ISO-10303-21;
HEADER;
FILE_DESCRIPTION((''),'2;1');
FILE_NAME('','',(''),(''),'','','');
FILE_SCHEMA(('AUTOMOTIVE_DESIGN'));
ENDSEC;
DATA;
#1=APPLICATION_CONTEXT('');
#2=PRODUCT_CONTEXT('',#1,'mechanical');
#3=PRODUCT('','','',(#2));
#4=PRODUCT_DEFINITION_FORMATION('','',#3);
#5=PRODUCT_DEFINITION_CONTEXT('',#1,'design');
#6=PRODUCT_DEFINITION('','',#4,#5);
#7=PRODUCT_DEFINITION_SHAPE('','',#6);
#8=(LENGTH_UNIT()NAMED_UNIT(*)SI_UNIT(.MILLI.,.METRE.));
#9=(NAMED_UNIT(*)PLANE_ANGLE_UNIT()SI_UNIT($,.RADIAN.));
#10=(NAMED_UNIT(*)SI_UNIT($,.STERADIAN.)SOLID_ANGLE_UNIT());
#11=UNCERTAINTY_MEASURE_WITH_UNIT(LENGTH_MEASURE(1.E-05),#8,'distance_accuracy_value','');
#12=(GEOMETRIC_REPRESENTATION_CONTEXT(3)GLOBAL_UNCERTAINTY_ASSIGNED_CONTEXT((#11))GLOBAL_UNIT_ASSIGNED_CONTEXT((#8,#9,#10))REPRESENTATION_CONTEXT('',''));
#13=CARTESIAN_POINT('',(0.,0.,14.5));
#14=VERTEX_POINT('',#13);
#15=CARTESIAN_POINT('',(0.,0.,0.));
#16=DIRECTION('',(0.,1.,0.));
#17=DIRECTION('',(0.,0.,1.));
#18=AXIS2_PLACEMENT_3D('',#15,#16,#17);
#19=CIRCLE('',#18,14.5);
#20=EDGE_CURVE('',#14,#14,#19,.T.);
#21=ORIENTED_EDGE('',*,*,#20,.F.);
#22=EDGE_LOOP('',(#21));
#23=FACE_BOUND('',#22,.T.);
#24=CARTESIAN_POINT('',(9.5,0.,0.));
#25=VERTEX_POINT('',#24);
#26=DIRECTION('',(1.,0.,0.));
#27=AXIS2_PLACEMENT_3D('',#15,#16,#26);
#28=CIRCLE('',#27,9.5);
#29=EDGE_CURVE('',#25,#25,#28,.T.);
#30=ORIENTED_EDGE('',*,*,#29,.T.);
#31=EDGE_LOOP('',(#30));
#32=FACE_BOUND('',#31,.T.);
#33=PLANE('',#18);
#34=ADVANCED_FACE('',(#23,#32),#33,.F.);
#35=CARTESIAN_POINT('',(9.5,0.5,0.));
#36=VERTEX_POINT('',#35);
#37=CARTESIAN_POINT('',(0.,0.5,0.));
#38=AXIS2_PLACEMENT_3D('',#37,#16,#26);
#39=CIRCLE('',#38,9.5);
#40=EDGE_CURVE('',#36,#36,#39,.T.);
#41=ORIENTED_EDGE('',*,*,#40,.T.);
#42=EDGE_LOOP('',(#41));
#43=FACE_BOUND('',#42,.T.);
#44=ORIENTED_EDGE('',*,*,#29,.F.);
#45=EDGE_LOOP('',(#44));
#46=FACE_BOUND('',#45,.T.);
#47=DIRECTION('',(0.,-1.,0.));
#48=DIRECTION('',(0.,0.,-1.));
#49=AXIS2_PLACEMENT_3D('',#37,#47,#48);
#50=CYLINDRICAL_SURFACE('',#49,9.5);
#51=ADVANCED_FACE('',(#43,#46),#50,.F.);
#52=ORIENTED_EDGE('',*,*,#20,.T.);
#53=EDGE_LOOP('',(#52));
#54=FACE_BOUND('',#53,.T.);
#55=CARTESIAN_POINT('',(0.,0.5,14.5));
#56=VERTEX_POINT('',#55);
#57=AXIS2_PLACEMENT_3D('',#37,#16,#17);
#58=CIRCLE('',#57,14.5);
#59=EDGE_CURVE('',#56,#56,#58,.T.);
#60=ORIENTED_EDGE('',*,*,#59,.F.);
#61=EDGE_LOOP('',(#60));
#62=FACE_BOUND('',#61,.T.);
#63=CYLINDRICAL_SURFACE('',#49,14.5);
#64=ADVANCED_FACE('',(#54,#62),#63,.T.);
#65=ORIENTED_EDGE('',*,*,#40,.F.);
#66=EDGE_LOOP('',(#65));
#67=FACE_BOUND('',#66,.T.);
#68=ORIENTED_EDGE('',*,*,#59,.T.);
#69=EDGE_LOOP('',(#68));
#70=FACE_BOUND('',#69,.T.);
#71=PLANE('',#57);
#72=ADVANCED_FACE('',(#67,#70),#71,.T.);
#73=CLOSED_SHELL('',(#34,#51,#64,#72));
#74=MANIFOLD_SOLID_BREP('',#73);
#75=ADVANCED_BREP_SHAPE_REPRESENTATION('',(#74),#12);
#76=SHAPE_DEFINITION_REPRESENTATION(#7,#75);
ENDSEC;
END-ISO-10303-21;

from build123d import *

# Parameters (mm, degrees)
CROQUIS1_R            = 14.5
CROQUIS1_R_2          = 9.5
EXTRUIR_L_MINA1_DEPTH = 0.5


with BuildPart() as part:
    # Croquis1 → Extruir-Lámina1 (new body)
    with BuildSketch(Plane(origin=(0, 0, 0), x_dir=(1, 0, 0), z_dir=(0, 1, 0))):
        Circle(CROQUIS1_R)
        Circle(CROQUIS1_R_2, mode=Mode.SUBTRACT)
    extrude(amount=EXTRUIR_L_MINA1_DEPTH)


solid = part.part
